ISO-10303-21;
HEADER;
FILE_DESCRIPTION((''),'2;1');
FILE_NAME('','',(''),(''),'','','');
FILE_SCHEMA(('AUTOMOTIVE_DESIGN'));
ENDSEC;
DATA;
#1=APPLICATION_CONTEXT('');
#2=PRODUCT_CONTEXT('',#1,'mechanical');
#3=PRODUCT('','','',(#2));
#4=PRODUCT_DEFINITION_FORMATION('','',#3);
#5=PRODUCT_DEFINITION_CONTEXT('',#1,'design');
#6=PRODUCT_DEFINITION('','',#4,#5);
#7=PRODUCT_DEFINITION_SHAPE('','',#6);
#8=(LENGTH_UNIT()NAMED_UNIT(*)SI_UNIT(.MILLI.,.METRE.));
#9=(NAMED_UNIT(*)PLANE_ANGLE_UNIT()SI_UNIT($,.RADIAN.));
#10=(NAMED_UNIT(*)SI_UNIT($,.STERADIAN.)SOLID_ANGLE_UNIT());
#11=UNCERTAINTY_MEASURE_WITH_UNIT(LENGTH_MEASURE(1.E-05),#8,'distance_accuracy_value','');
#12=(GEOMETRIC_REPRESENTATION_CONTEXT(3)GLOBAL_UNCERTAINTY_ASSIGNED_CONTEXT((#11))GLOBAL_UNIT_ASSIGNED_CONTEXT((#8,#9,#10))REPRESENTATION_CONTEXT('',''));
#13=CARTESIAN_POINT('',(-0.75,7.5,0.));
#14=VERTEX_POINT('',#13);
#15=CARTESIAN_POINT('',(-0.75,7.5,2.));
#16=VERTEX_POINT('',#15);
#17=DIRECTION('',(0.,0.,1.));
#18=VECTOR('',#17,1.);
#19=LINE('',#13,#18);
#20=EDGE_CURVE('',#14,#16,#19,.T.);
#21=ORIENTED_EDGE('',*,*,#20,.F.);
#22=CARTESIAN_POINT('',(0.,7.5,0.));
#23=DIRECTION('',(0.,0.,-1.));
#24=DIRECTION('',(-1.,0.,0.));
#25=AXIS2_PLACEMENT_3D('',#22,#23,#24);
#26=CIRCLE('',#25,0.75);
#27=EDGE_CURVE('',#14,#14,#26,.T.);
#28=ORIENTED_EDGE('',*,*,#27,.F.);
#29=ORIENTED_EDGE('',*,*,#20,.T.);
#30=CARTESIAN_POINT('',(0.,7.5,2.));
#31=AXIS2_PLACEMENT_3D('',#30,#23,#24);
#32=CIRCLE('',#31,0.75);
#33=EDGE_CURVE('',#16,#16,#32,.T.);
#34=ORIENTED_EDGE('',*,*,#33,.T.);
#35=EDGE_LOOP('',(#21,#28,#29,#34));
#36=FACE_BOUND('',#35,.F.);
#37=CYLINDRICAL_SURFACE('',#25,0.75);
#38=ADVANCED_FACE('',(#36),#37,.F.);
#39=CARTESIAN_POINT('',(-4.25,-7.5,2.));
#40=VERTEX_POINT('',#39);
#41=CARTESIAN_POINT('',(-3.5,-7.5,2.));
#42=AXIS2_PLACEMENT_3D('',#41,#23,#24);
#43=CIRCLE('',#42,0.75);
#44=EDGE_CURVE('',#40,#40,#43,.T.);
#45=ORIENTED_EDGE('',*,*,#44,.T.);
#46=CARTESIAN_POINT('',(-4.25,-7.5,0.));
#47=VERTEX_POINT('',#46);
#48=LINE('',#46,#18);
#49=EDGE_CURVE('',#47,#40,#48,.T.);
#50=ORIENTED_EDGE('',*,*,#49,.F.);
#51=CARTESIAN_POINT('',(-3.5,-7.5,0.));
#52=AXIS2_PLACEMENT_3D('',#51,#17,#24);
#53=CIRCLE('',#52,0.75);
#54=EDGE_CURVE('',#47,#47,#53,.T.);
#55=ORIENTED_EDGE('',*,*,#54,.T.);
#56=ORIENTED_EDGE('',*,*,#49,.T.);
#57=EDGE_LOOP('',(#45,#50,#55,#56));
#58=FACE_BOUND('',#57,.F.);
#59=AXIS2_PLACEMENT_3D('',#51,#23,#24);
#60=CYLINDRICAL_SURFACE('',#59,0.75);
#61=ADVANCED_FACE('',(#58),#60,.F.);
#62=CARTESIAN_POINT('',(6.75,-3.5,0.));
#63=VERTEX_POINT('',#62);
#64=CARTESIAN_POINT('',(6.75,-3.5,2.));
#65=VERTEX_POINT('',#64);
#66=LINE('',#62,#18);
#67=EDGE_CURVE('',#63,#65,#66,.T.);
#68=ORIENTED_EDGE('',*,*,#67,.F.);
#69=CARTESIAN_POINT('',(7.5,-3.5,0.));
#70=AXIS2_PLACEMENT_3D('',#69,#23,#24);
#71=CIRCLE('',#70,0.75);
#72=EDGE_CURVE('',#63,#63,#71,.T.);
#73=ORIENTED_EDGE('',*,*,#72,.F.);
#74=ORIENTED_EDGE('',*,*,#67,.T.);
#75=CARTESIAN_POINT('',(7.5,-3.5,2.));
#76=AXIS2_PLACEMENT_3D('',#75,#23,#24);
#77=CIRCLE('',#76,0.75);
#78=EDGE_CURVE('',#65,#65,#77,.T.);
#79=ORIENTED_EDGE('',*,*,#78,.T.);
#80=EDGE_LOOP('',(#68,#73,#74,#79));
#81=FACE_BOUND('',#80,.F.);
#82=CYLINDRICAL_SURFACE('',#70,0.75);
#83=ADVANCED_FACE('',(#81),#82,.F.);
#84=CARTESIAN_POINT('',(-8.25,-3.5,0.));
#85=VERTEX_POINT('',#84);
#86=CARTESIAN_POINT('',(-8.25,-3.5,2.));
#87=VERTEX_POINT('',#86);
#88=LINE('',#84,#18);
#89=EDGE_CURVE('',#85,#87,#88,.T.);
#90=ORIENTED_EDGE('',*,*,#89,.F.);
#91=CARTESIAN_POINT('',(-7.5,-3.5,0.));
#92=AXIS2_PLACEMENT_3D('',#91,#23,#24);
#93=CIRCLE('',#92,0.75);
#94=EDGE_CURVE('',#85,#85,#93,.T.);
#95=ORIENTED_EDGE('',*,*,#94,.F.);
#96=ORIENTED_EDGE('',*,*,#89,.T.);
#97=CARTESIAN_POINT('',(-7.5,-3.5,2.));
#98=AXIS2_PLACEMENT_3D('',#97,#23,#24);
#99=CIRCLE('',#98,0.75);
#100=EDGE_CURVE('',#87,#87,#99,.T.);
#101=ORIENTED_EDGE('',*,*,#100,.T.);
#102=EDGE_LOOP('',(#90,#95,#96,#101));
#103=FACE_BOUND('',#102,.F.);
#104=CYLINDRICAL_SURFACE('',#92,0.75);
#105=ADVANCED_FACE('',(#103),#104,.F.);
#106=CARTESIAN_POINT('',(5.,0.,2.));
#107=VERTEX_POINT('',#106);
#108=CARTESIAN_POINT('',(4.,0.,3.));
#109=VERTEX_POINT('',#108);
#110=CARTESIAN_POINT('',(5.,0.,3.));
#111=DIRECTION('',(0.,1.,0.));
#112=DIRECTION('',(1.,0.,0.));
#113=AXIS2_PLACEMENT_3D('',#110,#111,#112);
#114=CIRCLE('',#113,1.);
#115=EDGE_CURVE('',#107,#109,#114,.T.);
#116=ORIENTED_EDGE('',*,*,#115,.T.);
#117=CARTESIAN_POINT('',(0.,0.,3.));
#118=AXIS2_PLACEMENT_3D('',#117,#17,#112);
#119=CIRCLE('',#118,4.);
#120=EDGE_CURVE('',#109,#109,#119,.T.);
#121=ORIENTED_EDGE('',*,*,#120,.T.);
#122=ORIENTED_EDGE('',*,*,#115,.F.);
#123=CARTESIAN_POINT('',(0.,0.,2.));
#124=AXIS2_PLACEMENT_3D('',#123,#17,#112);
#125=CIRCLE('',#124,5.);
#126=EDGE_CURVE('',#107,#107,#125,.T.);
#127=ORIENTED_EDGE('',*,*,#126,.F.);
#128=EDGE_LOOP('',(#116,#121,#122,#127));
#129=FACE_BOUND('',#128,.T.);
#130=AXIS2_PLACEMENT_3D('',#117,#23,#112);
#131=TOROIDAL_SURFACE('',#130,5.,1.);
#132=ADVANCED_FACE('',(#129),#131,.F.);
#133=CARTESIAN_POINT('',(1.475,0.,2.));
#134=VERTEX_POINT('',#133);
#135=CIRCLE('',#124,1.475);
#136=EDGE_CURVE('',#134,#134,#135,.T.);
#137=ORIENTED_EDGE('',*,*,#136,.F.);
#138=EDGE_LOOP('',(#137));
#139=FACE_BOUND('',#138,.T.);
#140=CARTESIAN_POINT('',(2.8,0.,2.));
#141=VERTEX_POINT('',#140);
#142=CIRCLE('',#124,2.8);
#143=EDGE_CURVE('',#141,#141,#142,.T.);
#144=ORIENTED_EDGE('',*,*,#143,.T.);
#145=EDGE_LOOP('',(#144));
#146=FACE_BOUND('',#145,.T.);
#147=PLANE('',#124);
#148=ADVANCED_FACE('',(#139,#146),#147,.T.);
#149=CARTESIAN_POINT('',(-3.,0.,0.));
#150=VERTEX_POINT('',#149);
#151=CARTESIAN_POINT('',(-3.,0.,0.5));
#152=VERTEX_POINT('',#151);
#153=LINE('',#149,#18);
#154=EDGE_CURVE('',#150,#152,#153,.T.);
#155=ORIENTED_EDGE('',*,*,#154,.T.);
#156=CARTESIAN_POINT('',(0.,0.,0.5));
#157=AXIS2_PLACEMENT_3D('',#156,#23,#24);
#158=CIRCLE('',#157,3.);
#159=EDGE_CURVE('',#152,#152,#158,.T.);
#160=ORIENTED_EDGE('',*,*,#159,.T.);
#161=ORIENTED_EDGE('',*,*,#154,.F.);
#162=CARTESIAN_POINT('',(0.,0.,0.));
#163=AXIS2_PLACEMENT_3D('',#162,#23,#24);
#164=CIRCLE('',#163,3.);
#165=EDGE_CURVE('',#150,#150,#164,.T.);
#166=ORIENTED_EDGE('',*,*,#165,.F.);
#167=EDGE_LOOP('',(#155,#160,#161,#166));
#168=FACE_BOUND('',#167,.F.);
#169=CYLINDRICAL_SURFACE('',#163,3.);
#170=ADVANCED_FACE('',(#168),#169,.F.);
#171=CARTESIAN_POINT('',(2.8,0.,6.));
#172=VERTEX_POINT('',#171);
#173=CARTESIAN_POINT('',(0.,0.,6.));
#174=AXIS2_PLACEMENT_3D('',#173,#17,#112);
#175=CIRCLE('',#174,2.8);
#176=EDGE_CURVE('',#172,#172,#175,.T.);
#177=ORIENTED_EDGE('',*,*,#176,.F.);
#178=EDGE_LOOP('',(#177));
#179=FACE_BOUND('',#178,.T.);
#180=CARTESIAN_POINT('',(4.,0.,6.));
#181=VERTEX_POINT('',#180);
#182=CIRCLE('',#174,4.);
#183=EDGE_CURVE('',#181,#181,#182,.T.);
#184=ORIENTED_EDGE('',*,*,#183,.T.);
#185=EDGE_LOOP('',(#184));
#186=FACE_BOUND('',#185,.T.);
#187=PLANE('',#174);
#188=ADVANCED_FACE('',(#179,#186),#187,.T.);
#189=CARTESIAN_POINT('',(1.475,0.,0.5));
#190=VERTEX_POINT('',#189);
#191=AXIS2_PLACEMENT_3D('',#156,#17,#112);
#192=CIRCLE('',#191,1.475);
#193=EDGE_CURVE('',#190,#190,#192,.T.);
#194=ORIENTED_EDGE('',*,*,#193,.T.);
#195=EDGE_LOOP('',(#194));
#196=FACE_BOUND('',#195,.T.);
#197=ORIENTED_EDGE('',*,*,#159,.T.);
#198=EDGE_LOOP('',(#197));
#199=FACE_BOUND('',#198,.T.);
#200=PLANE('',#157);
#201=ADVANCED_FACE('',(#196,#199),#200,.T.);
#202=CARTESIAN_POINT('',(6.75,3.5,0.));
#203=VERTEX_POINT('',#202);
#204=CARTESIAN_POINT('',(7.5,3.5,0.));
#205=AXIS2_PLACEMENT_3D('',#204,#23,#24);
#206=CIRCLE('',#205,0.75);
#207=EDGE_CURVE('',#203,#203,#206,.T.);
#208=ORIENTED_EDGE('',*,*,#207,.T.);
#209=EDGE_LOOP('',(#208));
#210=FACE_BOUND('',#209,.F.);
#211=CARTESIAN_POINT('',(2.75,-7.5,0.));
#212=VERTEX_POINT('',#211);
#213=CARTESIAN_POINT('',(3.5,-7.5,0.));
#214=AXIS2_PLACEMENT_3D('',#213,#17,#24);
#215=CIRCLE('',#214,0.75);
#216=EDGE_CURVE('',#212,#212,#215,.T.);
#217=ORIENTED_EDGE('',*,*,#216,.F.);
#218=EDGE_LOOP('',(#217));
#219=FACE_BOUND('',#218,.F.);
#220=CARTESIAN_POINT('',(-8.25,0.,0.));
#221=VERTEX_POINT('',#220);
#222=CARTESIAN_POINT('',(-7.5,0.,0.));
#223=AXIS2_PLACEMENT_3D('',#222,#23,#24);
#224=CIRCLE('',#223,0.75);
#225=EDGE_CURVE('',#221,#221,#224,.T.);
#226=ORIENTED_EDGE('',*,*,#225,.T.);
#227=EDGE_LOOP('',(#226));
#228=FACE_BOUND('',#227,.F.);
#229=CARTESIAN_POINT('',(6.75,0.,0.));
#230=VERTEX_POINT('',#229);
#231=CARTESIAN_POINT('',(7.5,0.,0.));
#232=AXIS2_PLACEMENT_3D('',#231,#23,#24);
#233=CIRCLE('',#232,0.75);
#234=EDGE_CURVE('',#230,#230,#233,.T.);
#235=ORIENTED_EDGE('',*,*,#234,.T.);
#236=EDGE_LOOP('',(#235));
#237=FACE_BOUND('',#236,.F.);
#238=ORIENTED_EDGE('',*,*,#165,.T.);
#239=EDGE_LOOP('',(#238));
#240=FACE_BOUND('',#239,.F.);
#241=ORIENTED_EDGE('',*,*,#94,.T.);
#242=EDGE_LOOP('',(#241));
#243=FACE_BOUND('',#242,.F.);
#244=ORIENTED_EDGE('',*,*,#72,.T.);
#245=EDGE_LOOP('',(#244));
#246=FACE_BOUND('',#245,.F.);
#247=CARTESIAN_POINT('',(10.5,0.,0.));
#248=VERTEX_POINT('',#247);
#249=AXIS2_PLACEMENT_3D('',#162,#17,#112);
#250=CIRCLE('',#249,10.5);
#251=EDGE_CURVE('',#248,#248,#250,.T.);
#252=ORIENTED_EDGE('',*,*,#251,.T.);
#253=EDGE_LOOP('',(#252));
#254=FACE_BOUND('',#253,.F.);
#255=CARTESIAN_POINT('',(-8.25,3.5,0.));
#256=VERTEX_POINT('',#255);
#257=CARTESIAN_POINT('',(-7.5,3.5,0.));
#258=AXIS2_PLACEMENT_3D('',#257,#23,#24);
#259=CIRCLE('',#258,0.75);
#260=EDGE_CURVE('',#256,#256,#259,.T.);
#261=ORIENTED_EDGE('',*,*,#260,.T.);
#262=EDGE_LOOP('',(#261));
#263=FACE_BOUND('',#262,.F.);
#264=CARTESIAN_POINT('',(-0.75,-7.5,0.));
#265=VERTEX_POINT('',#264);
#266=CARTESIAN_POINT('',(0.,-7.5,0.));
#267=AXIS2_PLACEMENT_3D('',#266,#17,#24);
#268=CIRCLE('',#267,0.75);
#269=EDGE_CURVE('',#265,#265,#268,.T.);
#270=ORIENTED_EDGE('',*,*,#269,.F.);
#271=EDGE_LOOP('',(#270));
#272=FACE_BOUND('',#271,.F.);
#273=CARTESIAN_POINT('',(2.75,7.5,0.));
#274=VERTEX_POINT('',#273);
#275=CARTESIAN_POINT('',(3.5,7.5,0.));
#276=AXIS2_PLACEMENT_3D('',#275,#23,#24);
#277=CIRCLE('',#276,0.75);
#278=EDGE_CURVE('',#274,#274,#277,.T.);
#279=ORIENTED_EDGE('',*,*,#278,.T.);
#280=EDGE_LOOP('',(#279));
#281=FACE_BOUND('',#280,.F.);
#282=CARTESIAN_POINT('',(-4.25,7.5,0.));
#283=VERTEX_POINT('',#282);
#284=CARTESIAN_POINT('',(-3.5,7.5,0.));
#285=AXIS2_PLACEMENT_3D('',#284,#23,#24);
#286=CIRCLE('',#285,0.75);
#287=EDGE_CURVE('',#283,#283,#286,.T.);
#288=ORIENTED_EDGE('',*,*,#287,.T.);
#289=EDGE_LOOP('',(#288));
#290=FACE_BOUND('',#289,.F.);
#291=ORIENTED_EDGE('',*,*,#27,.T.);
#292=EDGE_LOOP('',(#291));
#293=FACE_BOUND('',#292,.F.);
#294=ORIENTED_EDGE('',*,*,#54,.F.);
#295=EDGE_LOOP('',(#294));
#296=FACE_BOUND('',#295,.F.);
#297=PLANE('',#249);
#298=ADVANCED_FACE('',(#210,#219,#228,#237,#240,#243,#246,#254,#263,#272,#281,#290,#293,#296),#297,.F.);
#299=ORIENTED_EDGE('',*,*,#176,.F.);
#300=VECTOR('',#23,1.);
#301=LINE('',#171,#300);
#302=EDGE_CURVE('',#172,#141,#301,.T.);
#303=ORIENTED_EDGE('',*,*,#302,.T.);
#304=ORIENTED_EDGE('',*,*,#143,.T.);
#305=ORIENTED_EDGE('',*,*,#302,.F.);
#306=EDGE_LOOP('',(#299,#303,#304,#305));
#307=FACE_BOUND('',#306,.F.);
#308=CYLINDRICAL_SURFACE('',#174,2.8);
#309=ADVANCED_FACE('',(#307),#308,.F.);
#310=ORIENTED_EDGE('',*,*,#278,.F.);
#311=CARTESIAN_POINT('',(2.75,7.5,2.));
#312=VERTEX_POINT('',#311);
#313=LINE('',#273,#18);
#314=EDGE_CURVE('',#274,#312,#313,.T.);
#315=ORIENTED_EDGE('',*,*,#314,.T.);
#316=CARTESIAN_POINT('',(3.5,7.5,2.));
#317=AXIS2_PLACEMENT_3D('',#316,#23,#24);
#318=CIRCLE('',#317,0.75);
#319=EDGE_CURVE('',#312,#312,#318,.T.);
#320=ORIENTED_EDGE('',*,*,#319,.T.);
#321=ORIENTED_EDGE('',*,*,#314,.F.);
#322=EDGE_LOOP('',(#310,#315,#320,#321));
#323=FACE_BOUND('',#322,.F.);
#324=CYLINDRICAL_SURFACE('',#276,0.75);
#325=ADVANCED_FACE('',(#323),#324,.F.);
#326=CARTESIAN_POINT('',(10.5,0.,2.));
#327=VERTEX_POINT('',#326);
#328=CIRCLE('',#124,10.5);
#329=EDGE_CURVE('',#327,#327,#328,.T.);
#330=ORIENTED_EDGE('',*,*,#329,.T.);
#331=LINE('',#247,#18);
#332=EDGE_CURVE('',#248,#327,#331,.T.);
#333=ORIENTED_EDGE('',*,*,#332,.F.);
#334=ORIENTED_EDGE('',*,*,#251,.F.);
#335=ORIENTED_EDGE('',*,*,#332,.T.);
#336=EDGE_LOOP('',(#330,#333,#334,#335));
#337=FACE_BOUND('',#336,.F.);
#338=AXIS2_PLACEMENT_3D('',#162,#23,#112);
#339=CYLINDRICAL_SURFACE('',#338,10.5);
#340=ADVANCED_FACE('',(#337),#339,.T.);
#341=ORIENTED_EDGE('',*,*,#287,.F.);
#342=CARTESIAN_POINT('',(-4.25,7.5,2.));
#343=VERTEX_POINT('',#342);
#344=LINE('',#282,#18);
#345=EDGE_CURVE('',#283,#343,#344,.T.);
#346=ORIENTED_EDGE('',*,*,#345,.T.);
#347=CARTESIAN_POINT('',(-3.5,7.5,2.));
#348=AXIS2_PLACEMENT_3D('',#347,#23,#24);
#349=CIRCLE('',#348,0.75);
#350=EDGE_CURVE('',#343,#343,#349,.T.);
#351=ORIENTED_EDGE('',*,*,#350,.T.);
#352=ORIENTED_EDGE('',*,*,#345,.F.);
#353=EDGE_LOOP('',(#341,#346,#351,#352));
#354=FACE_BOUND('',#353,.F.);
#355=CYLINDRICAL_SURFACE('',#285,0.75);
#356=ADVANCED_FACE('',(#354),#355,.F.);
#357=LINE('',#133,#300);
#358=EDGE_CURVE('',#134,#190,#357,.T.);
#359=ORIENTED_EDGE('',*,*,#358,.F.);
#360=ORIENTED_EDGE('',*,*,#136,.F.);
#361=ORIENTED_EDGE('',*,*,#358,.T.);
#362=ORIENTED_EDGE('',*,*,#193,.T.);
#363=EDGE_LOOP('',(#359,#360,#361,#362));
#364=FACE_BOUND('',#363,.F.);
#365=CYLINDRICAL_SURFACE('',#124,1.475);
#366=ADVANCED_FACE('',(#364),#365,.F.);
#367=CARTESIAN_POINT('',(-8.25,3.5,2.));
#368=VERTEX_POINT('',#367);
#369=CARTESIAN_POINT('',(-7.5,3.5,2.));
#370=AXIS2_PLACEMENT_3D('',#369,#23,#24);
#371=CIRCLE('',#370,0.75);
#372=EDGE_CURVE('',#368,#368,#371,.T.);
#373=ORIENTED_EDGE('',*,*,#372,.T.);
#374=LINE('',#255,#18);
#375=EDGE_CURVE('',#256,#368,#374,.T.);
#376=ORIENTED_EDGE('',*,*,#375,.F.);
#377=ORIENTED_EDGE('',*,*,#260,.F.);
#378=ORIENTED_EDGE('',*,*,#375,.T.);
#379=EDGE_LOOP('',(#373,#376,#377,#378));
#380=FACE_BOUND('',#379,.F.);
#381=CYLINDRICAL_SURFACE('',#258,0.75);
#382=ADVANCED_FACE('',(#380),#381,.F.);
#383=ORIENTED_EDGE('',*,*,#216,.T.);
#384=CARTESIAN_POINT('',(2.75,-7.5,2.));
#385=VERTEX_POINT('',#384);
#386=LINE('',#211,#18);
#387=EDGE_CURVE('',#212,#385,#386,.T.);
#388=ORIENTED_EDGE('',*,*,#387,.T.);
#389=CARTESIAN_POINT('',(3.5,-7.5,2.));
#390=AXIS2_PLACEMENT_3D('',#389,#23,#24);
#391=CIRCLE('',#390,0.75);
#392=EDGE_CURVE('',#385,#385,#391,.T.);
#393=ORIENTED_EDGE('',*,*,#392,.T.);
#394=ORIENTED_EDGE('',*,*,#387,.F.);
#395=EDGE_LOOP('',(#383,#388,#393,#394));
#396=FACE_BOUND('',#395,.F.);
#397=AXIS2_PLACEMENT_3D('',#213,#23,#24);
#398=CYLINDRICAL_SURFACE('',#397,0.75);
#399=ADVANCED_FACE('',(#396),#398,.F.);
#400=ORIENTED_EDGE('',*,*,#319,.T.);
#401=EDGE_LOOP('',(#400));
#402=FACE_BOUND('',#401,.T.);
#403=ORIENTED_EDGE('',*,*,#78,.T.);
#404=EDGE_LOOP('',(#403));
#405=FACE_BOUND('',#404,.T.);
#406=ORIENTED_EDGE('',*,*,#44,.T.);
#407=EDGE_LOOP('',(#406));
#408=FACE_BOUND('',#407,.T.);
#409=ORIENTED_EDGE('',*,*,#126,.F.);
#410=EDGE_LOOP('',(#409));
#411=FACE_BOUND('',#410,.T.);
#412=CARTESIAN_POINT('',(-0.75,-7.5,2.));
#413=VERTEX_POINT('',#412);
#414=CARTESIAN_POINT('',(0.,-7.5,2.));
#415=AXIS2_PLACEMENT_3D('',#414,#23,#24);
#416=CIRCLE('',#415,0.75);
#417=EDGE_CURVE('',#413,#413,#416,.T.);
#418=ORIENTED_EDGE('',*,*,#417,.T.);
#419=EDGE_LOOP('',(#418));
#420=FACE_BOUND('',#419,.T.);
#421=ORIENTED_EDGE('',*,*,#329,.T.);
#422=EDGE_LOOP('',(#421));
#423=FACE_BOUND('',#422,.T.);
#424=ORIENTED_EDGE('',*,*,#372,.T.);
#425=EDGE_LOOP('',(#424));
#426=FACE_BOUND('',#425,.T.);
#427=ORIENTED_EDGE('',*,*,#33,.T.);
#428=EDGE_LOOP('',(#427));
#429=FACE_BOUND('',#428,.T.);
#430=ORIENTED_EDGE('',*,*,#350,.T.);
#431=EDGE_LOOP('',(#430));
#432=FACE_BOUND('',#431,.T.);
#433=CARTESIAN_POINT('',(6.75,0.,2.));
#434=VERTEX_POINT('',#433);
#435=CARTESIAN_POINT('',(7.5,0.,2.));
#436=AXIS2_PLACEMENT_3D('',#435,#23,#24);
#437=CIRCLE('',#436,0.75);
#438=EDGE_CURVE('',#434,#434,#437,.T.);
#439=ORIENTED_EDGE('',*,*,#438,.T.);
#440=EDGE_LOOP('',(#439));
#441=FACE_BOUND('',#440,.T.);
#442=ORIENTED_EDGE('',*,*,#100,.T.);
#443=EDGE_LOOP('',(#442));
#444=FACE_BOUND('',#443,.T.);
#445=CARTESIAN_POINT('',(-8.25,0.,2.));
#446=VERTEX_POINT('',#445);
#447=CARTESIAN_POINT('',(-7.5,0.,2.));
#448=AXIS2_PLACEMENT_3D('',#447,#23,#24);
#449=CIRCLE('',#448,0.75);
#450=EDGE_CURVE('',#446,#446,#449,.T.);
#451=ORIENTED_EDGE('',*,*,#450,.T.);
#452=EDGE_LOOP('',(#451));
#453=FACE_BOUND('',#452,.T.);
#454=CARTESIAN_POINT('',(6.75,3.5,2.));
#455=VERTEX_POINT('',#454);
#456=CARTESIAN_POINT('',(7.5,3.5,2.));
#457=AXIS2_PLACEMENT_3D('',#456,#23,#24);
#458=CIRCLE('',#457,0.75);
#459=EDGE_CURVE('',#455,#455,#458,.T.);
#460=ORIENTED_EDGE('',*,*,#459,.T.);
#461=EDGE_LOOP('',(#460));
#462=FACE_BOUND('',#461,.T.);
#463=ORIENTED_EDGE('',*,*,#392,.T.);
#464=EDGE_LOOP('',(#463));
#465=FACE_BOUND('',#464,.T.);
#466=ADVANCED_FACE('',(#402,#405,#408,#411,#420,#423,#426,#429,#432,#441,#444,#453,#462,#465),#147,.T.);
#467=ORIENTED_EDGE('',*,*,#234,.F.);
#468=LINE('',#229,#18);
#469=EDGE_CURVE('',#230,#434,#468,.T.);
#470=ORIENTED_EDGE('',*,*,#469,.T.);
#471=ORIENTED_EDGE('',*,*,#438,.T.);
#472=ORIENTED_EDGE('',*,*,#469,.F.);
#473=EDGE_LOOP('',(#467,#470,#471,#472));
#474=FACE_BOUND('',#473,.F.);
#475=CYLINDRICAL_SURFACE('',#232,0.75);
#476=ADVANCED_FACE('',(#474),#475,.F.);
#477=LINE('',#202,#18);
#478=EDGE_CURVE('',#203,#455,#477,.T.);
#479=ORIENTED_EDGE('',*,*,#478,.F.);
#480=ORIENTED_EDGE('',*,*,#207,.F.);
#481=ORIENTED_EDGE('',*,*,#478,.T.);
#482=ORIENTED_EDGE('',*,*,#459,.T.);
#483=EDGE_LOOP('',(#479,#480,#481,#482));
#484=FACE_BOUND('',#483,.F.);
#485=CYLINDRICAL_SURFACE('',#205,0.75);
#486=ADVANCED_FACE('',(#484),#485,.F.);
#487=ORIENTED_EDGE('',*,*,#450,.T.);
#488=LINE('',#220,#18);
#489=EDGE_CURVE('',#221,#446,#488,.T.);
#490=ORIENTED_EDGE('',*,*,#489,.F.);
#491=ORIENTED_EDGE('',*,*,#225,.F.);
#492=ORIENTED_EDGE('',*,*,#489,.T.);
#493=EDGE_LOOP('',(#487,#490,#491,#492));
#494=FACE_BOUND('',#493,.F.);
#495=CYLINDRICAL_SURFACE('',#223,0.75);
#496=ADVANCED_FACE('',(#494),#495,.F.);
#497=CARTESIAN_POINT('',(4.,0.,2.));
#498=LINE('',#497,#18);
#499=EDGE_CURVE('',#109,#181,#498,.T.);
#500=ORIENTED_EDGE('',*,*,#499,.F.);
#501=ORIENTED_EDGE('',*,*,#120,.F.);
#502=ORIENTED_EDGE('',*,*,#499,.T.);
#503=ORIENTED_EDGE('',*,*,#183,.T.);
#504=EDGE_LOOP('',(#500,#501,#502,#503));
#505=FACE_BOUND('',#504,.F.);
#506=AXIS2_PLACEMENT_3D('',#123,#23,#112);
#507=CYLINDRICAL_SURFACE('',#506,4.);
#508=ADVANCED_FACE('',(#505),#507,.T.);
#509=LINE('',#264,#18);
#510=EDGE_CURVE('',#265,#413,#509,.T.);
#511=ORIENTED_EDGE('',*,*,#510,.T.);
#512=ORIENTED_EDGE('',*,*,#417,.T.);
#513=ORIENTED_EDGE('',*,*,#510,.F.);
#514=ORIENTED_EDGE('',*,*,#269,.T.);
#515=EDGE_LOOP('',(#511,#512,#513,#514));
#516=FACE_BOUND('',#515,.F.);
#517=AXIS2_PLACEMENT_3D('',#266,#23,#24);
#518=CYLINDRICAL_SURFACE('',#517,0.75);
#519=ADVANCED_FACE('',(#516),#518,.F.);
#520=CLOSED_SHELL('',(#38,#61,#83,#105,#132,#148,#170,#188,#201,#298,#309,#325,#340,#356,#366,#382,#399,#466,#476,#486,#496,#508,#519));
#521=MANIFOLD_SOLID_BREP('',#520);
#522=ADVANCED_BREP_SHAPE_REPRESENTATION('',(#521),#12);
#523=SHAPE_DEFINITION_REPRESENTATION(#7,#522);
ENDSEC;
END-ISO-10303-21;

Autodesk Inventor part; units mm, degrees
ref_plane "YZ Plane" through (0, 0, 0) normal (1, 0, 0) x (0, 1, 0)
ref_plane "XZ Plane" through (0, 0, 0) normal (0, 1, 0) x (-1, 0, 0)
ref_plane "XY Plane" through (0, 0, 0) normal (0, 0, 1) x (1, 0, 0)
sketch "Boceto1" plane through (0, 0, 0) normal (0, 0, 1) x (1, 0, 0)
  circle A0 centre (0, 0) radius 10.5
  dimension "d0" = 21
extrude "Extrusión1" add sketch "Boceto1" along normal blind 2
sketch "Boceto2" plane through (0, 0, 2) normal (0, 0, 1) x (1, 0, 0)
  circle A0 centre (0, 0) radius 4
  dimension "d4" = 8
extrude "Extrusión2" add sketch "Boceto2" along normal blind 4
fillet "Empalme1" radius 1 1 edges at (-4, 0, 2)
sketch "Boceto3" plane through (0, 0, 6) normal (0, 0, 1) x (1, 0, 0)
  circle A0 centre (0, 0) radius 4 projected
  circle A1 centre (0, 0) radius 2.8
  dimension "d8" = 5.6
extrude "Extrusión3" cut sketch "Boceto3" against normal blind 4 contours A1
sketch "Boceto4" plane through (0, 0, 2) normal (0, 0, 1) x (1, 0, 0)
  circle A0 centre (0, 0) radius 1.475
  dimension "d11" = 2.95
extrude "Extrusión4" cut sketch "Boceto4" against normal up to surface (2 mm away)
sketch "Boceto5" plane through (0, 0, 0) normal (0, 0, -1) x (-1, 0, 0)
  circle A0 centre (0, 0) radius 1.475 projected
  circle A1 centre (0, 0) radius 3
  dimension "d14" = 6
extrude "Extrusión5" cut sketch "Boceto5" against normal blind 0.5
sketch "Boceto6" plane through (0, 0, 0) normal (0, 0, -1) x (-1, 0, 0)
  line L0 (11.1976, -7.5) -> (-9.8806, -7.5)
  circle A0 centre (0, -7.5) radius 0.75
  circle A1 centre (3.5, -7.5) radius 0.75
  circle A2 centre (-3.5, -7.5) radius 0.75
  circle A3 centre (7.5, 0) radius 0.75
  circle A4 centre (7.5, 3.5) radius 0.75
  circle A5 centre (7.5, -3.5) radius 0.75
  circle A6 centre (0, 7.5) radius 0.75
  circle A7 centre (-3.5, 7.5) radius 0.75
  circle A8 centre (3.5, 7.5) radius 0.75
  circle A9 centre (-7.5, 0) radius 0.75
  circle A10 centre (-7.5, -3.5) radius 0.75
  circle A11 centre (-7.5, 3.5) radius 0.75
  point P0 (0, 0)
  dimension "d17" = 7.5
  dimension "d18" = 1.5
  dimension "d19" = 3.5
  dimension "d20" = 3.5
  dimension "d23" = 360
extrude "Extrusión6" cut sketch "Boceto6" against normal through all
properties part number "horn"
